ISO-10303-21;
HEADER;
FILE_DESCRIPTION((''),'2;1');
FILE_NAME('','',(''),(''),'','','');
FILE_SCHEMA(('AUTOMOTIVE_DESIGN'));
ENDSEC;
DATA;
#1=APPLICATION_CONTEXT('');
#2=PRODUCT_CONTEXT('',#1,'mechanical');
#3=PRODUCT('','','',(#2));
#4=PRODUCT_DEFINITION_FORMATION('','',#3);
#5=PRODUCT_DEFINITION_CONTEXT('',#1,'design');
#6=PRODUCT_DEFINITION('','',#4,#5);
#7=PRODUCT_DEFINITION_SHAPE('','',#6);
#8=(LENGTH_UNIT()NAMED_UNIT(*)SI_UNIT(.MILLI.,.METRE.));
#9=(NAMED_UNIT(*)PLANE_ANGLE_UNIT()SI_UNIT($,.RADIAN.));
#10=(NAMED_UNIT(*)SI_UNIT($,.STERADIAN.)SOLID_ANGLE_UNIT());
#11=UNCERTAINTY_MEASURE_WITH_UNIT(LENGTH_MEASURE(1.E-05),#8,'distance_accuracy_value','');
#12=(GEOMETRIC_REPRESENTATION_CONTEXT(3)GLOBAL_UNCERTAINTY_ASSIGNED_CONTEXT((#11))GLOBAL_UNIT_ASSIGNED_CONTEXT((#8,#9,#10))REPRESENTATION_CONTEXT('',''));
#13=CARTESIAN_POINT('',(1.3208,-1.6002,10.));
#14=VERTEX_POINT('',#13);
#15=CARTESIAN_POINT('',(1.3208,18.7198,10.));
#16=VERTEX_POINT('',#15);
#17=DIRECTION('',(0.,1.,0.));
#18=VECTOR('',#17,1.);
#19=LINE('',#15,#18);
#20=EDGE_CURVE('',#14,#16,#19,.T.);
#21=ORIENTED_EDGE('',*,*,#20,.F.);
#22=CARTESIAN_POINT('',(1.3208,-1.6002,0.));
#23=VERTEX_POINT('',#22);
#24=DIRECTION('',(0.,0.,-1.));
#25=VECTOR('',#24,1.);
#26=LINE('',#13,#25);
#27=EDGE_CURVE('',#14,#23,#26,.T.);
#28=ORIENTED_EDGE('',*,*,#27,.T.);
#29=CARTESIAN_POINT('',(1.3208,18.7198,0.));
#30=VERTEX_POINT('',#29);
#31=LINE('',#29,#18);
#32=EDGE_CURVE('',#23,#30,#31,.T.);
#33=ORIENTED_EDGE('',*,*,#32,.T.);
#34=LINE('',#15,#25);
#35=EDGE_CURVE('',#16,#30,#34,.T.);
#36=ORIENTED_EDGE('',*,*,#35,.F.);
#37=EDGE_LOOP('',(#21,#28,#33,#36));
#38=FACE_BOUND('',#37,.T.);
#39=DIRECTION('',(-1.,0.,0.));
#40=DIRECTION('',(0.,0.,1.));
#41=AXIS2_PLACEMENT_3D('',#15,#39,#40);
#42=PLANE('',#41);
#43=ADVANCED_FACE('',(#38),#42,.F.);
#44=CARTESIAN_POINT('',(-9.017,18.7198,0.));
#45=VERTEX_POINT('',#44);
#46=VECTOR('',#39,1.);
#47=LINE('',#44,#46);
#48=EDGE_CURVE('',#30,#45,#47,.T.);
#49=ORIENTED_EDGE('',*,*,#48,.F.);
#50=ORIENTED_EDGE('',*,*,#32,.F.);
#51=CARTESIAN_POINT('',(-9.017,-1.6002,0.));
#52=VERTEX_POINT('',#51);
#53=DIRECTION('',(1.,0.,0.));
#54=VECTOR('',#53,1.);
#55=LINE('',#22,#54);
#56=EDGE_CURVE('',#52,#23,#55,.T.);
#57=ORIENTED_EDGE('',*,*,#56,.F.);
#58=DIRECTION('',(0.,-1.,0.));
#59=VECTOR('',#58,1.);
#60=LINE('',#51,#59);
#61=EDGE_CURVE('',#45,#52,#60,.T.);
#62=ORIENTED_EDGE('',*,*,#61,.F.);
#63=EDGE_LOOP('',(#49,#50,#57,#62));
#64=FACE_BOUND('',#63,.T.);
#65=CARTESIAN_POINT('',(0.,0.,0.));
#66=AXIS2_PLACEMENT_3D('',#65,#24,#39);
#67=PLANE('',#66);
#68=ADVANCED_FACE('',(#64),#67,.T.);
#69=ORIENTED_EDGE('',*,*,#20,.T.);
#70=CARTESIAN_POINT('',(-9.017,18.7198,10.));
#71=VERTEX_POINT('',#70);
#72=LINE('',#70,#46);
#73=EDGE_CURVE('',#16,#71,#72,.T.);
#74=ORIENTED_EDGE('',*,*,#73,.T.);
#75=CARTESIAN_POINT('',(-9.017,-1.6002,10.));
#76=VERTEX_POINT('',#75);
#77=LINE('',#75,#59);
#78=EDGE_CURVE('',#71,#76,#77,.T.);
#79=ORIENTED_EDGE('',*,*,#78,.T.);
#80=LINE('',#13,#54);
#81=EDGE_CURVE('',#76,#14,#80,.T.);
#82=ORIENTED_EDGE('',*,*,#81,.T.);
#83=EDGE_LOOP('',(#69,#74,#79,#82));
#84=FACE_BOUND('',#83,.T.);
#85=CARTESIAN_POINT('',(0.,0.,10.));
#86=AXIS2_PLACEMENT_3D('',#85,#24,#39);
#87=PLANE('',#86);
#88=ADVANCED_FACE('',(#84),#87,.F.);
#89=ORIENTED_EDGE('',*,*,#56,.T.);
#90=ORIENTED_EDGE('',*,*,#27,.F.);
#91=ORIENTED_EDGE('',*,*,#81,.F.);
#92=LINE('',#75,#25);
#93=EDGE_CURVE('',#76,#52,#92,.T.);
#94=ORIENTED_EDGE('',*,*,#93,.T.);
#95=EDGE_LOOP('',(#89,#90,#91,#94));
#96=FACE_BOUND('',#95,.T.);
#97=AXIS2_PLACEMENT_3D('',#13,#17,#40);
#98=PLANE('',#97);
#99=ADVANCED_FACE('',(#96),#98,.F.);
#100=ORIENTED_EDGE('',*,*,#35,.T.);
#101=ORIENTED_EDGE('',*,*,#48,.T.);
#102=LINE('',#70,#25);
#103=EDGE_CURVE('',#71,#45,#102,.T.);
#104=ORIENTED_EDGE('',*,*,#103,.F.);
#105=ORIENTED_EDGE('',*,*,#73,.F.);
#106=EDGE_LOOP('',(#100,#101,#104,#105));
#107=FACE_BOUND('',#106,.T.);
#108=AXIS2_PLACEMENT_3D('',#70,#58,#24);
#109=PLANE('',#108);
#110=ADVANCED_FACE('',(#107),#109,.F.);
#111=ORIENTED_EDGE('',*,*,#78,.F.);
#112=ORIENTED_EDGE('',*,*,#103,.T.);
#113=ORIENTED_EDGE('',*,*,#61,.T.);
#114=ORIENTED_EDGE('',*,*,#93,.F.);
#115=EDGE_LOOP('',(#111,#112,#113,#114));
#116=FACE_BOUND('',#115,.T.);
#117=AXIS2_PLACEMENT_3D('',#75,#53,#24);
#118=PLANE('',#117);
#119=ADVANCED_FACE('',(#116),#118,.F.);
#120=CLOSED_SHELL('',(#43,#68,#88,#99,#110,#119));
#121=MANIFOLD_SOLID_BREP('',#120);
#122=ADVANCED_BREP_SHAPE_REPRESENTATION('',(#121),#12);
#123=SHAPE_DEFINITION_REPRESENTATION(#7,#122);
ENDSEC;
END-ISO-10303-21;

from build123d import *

# Parameters (mm, degrees)
SKETCH1_W               = 10.3378
SKETCH1_H               = 20.32
COMPONENT_OUTLINE_DEPTH = 10


with BuildPart() as part:
    # Sketch1 → Component_Outline (new body)
    with BuildSketch(Plane.XY):
        with Locations((-3.8481, 8.5598)):
            Rectangle(SKETCH1_W, SKETCH1_H)
    extrude(amount=COMPONENT_OUTLINE_DEPTH)


solid = part.part
